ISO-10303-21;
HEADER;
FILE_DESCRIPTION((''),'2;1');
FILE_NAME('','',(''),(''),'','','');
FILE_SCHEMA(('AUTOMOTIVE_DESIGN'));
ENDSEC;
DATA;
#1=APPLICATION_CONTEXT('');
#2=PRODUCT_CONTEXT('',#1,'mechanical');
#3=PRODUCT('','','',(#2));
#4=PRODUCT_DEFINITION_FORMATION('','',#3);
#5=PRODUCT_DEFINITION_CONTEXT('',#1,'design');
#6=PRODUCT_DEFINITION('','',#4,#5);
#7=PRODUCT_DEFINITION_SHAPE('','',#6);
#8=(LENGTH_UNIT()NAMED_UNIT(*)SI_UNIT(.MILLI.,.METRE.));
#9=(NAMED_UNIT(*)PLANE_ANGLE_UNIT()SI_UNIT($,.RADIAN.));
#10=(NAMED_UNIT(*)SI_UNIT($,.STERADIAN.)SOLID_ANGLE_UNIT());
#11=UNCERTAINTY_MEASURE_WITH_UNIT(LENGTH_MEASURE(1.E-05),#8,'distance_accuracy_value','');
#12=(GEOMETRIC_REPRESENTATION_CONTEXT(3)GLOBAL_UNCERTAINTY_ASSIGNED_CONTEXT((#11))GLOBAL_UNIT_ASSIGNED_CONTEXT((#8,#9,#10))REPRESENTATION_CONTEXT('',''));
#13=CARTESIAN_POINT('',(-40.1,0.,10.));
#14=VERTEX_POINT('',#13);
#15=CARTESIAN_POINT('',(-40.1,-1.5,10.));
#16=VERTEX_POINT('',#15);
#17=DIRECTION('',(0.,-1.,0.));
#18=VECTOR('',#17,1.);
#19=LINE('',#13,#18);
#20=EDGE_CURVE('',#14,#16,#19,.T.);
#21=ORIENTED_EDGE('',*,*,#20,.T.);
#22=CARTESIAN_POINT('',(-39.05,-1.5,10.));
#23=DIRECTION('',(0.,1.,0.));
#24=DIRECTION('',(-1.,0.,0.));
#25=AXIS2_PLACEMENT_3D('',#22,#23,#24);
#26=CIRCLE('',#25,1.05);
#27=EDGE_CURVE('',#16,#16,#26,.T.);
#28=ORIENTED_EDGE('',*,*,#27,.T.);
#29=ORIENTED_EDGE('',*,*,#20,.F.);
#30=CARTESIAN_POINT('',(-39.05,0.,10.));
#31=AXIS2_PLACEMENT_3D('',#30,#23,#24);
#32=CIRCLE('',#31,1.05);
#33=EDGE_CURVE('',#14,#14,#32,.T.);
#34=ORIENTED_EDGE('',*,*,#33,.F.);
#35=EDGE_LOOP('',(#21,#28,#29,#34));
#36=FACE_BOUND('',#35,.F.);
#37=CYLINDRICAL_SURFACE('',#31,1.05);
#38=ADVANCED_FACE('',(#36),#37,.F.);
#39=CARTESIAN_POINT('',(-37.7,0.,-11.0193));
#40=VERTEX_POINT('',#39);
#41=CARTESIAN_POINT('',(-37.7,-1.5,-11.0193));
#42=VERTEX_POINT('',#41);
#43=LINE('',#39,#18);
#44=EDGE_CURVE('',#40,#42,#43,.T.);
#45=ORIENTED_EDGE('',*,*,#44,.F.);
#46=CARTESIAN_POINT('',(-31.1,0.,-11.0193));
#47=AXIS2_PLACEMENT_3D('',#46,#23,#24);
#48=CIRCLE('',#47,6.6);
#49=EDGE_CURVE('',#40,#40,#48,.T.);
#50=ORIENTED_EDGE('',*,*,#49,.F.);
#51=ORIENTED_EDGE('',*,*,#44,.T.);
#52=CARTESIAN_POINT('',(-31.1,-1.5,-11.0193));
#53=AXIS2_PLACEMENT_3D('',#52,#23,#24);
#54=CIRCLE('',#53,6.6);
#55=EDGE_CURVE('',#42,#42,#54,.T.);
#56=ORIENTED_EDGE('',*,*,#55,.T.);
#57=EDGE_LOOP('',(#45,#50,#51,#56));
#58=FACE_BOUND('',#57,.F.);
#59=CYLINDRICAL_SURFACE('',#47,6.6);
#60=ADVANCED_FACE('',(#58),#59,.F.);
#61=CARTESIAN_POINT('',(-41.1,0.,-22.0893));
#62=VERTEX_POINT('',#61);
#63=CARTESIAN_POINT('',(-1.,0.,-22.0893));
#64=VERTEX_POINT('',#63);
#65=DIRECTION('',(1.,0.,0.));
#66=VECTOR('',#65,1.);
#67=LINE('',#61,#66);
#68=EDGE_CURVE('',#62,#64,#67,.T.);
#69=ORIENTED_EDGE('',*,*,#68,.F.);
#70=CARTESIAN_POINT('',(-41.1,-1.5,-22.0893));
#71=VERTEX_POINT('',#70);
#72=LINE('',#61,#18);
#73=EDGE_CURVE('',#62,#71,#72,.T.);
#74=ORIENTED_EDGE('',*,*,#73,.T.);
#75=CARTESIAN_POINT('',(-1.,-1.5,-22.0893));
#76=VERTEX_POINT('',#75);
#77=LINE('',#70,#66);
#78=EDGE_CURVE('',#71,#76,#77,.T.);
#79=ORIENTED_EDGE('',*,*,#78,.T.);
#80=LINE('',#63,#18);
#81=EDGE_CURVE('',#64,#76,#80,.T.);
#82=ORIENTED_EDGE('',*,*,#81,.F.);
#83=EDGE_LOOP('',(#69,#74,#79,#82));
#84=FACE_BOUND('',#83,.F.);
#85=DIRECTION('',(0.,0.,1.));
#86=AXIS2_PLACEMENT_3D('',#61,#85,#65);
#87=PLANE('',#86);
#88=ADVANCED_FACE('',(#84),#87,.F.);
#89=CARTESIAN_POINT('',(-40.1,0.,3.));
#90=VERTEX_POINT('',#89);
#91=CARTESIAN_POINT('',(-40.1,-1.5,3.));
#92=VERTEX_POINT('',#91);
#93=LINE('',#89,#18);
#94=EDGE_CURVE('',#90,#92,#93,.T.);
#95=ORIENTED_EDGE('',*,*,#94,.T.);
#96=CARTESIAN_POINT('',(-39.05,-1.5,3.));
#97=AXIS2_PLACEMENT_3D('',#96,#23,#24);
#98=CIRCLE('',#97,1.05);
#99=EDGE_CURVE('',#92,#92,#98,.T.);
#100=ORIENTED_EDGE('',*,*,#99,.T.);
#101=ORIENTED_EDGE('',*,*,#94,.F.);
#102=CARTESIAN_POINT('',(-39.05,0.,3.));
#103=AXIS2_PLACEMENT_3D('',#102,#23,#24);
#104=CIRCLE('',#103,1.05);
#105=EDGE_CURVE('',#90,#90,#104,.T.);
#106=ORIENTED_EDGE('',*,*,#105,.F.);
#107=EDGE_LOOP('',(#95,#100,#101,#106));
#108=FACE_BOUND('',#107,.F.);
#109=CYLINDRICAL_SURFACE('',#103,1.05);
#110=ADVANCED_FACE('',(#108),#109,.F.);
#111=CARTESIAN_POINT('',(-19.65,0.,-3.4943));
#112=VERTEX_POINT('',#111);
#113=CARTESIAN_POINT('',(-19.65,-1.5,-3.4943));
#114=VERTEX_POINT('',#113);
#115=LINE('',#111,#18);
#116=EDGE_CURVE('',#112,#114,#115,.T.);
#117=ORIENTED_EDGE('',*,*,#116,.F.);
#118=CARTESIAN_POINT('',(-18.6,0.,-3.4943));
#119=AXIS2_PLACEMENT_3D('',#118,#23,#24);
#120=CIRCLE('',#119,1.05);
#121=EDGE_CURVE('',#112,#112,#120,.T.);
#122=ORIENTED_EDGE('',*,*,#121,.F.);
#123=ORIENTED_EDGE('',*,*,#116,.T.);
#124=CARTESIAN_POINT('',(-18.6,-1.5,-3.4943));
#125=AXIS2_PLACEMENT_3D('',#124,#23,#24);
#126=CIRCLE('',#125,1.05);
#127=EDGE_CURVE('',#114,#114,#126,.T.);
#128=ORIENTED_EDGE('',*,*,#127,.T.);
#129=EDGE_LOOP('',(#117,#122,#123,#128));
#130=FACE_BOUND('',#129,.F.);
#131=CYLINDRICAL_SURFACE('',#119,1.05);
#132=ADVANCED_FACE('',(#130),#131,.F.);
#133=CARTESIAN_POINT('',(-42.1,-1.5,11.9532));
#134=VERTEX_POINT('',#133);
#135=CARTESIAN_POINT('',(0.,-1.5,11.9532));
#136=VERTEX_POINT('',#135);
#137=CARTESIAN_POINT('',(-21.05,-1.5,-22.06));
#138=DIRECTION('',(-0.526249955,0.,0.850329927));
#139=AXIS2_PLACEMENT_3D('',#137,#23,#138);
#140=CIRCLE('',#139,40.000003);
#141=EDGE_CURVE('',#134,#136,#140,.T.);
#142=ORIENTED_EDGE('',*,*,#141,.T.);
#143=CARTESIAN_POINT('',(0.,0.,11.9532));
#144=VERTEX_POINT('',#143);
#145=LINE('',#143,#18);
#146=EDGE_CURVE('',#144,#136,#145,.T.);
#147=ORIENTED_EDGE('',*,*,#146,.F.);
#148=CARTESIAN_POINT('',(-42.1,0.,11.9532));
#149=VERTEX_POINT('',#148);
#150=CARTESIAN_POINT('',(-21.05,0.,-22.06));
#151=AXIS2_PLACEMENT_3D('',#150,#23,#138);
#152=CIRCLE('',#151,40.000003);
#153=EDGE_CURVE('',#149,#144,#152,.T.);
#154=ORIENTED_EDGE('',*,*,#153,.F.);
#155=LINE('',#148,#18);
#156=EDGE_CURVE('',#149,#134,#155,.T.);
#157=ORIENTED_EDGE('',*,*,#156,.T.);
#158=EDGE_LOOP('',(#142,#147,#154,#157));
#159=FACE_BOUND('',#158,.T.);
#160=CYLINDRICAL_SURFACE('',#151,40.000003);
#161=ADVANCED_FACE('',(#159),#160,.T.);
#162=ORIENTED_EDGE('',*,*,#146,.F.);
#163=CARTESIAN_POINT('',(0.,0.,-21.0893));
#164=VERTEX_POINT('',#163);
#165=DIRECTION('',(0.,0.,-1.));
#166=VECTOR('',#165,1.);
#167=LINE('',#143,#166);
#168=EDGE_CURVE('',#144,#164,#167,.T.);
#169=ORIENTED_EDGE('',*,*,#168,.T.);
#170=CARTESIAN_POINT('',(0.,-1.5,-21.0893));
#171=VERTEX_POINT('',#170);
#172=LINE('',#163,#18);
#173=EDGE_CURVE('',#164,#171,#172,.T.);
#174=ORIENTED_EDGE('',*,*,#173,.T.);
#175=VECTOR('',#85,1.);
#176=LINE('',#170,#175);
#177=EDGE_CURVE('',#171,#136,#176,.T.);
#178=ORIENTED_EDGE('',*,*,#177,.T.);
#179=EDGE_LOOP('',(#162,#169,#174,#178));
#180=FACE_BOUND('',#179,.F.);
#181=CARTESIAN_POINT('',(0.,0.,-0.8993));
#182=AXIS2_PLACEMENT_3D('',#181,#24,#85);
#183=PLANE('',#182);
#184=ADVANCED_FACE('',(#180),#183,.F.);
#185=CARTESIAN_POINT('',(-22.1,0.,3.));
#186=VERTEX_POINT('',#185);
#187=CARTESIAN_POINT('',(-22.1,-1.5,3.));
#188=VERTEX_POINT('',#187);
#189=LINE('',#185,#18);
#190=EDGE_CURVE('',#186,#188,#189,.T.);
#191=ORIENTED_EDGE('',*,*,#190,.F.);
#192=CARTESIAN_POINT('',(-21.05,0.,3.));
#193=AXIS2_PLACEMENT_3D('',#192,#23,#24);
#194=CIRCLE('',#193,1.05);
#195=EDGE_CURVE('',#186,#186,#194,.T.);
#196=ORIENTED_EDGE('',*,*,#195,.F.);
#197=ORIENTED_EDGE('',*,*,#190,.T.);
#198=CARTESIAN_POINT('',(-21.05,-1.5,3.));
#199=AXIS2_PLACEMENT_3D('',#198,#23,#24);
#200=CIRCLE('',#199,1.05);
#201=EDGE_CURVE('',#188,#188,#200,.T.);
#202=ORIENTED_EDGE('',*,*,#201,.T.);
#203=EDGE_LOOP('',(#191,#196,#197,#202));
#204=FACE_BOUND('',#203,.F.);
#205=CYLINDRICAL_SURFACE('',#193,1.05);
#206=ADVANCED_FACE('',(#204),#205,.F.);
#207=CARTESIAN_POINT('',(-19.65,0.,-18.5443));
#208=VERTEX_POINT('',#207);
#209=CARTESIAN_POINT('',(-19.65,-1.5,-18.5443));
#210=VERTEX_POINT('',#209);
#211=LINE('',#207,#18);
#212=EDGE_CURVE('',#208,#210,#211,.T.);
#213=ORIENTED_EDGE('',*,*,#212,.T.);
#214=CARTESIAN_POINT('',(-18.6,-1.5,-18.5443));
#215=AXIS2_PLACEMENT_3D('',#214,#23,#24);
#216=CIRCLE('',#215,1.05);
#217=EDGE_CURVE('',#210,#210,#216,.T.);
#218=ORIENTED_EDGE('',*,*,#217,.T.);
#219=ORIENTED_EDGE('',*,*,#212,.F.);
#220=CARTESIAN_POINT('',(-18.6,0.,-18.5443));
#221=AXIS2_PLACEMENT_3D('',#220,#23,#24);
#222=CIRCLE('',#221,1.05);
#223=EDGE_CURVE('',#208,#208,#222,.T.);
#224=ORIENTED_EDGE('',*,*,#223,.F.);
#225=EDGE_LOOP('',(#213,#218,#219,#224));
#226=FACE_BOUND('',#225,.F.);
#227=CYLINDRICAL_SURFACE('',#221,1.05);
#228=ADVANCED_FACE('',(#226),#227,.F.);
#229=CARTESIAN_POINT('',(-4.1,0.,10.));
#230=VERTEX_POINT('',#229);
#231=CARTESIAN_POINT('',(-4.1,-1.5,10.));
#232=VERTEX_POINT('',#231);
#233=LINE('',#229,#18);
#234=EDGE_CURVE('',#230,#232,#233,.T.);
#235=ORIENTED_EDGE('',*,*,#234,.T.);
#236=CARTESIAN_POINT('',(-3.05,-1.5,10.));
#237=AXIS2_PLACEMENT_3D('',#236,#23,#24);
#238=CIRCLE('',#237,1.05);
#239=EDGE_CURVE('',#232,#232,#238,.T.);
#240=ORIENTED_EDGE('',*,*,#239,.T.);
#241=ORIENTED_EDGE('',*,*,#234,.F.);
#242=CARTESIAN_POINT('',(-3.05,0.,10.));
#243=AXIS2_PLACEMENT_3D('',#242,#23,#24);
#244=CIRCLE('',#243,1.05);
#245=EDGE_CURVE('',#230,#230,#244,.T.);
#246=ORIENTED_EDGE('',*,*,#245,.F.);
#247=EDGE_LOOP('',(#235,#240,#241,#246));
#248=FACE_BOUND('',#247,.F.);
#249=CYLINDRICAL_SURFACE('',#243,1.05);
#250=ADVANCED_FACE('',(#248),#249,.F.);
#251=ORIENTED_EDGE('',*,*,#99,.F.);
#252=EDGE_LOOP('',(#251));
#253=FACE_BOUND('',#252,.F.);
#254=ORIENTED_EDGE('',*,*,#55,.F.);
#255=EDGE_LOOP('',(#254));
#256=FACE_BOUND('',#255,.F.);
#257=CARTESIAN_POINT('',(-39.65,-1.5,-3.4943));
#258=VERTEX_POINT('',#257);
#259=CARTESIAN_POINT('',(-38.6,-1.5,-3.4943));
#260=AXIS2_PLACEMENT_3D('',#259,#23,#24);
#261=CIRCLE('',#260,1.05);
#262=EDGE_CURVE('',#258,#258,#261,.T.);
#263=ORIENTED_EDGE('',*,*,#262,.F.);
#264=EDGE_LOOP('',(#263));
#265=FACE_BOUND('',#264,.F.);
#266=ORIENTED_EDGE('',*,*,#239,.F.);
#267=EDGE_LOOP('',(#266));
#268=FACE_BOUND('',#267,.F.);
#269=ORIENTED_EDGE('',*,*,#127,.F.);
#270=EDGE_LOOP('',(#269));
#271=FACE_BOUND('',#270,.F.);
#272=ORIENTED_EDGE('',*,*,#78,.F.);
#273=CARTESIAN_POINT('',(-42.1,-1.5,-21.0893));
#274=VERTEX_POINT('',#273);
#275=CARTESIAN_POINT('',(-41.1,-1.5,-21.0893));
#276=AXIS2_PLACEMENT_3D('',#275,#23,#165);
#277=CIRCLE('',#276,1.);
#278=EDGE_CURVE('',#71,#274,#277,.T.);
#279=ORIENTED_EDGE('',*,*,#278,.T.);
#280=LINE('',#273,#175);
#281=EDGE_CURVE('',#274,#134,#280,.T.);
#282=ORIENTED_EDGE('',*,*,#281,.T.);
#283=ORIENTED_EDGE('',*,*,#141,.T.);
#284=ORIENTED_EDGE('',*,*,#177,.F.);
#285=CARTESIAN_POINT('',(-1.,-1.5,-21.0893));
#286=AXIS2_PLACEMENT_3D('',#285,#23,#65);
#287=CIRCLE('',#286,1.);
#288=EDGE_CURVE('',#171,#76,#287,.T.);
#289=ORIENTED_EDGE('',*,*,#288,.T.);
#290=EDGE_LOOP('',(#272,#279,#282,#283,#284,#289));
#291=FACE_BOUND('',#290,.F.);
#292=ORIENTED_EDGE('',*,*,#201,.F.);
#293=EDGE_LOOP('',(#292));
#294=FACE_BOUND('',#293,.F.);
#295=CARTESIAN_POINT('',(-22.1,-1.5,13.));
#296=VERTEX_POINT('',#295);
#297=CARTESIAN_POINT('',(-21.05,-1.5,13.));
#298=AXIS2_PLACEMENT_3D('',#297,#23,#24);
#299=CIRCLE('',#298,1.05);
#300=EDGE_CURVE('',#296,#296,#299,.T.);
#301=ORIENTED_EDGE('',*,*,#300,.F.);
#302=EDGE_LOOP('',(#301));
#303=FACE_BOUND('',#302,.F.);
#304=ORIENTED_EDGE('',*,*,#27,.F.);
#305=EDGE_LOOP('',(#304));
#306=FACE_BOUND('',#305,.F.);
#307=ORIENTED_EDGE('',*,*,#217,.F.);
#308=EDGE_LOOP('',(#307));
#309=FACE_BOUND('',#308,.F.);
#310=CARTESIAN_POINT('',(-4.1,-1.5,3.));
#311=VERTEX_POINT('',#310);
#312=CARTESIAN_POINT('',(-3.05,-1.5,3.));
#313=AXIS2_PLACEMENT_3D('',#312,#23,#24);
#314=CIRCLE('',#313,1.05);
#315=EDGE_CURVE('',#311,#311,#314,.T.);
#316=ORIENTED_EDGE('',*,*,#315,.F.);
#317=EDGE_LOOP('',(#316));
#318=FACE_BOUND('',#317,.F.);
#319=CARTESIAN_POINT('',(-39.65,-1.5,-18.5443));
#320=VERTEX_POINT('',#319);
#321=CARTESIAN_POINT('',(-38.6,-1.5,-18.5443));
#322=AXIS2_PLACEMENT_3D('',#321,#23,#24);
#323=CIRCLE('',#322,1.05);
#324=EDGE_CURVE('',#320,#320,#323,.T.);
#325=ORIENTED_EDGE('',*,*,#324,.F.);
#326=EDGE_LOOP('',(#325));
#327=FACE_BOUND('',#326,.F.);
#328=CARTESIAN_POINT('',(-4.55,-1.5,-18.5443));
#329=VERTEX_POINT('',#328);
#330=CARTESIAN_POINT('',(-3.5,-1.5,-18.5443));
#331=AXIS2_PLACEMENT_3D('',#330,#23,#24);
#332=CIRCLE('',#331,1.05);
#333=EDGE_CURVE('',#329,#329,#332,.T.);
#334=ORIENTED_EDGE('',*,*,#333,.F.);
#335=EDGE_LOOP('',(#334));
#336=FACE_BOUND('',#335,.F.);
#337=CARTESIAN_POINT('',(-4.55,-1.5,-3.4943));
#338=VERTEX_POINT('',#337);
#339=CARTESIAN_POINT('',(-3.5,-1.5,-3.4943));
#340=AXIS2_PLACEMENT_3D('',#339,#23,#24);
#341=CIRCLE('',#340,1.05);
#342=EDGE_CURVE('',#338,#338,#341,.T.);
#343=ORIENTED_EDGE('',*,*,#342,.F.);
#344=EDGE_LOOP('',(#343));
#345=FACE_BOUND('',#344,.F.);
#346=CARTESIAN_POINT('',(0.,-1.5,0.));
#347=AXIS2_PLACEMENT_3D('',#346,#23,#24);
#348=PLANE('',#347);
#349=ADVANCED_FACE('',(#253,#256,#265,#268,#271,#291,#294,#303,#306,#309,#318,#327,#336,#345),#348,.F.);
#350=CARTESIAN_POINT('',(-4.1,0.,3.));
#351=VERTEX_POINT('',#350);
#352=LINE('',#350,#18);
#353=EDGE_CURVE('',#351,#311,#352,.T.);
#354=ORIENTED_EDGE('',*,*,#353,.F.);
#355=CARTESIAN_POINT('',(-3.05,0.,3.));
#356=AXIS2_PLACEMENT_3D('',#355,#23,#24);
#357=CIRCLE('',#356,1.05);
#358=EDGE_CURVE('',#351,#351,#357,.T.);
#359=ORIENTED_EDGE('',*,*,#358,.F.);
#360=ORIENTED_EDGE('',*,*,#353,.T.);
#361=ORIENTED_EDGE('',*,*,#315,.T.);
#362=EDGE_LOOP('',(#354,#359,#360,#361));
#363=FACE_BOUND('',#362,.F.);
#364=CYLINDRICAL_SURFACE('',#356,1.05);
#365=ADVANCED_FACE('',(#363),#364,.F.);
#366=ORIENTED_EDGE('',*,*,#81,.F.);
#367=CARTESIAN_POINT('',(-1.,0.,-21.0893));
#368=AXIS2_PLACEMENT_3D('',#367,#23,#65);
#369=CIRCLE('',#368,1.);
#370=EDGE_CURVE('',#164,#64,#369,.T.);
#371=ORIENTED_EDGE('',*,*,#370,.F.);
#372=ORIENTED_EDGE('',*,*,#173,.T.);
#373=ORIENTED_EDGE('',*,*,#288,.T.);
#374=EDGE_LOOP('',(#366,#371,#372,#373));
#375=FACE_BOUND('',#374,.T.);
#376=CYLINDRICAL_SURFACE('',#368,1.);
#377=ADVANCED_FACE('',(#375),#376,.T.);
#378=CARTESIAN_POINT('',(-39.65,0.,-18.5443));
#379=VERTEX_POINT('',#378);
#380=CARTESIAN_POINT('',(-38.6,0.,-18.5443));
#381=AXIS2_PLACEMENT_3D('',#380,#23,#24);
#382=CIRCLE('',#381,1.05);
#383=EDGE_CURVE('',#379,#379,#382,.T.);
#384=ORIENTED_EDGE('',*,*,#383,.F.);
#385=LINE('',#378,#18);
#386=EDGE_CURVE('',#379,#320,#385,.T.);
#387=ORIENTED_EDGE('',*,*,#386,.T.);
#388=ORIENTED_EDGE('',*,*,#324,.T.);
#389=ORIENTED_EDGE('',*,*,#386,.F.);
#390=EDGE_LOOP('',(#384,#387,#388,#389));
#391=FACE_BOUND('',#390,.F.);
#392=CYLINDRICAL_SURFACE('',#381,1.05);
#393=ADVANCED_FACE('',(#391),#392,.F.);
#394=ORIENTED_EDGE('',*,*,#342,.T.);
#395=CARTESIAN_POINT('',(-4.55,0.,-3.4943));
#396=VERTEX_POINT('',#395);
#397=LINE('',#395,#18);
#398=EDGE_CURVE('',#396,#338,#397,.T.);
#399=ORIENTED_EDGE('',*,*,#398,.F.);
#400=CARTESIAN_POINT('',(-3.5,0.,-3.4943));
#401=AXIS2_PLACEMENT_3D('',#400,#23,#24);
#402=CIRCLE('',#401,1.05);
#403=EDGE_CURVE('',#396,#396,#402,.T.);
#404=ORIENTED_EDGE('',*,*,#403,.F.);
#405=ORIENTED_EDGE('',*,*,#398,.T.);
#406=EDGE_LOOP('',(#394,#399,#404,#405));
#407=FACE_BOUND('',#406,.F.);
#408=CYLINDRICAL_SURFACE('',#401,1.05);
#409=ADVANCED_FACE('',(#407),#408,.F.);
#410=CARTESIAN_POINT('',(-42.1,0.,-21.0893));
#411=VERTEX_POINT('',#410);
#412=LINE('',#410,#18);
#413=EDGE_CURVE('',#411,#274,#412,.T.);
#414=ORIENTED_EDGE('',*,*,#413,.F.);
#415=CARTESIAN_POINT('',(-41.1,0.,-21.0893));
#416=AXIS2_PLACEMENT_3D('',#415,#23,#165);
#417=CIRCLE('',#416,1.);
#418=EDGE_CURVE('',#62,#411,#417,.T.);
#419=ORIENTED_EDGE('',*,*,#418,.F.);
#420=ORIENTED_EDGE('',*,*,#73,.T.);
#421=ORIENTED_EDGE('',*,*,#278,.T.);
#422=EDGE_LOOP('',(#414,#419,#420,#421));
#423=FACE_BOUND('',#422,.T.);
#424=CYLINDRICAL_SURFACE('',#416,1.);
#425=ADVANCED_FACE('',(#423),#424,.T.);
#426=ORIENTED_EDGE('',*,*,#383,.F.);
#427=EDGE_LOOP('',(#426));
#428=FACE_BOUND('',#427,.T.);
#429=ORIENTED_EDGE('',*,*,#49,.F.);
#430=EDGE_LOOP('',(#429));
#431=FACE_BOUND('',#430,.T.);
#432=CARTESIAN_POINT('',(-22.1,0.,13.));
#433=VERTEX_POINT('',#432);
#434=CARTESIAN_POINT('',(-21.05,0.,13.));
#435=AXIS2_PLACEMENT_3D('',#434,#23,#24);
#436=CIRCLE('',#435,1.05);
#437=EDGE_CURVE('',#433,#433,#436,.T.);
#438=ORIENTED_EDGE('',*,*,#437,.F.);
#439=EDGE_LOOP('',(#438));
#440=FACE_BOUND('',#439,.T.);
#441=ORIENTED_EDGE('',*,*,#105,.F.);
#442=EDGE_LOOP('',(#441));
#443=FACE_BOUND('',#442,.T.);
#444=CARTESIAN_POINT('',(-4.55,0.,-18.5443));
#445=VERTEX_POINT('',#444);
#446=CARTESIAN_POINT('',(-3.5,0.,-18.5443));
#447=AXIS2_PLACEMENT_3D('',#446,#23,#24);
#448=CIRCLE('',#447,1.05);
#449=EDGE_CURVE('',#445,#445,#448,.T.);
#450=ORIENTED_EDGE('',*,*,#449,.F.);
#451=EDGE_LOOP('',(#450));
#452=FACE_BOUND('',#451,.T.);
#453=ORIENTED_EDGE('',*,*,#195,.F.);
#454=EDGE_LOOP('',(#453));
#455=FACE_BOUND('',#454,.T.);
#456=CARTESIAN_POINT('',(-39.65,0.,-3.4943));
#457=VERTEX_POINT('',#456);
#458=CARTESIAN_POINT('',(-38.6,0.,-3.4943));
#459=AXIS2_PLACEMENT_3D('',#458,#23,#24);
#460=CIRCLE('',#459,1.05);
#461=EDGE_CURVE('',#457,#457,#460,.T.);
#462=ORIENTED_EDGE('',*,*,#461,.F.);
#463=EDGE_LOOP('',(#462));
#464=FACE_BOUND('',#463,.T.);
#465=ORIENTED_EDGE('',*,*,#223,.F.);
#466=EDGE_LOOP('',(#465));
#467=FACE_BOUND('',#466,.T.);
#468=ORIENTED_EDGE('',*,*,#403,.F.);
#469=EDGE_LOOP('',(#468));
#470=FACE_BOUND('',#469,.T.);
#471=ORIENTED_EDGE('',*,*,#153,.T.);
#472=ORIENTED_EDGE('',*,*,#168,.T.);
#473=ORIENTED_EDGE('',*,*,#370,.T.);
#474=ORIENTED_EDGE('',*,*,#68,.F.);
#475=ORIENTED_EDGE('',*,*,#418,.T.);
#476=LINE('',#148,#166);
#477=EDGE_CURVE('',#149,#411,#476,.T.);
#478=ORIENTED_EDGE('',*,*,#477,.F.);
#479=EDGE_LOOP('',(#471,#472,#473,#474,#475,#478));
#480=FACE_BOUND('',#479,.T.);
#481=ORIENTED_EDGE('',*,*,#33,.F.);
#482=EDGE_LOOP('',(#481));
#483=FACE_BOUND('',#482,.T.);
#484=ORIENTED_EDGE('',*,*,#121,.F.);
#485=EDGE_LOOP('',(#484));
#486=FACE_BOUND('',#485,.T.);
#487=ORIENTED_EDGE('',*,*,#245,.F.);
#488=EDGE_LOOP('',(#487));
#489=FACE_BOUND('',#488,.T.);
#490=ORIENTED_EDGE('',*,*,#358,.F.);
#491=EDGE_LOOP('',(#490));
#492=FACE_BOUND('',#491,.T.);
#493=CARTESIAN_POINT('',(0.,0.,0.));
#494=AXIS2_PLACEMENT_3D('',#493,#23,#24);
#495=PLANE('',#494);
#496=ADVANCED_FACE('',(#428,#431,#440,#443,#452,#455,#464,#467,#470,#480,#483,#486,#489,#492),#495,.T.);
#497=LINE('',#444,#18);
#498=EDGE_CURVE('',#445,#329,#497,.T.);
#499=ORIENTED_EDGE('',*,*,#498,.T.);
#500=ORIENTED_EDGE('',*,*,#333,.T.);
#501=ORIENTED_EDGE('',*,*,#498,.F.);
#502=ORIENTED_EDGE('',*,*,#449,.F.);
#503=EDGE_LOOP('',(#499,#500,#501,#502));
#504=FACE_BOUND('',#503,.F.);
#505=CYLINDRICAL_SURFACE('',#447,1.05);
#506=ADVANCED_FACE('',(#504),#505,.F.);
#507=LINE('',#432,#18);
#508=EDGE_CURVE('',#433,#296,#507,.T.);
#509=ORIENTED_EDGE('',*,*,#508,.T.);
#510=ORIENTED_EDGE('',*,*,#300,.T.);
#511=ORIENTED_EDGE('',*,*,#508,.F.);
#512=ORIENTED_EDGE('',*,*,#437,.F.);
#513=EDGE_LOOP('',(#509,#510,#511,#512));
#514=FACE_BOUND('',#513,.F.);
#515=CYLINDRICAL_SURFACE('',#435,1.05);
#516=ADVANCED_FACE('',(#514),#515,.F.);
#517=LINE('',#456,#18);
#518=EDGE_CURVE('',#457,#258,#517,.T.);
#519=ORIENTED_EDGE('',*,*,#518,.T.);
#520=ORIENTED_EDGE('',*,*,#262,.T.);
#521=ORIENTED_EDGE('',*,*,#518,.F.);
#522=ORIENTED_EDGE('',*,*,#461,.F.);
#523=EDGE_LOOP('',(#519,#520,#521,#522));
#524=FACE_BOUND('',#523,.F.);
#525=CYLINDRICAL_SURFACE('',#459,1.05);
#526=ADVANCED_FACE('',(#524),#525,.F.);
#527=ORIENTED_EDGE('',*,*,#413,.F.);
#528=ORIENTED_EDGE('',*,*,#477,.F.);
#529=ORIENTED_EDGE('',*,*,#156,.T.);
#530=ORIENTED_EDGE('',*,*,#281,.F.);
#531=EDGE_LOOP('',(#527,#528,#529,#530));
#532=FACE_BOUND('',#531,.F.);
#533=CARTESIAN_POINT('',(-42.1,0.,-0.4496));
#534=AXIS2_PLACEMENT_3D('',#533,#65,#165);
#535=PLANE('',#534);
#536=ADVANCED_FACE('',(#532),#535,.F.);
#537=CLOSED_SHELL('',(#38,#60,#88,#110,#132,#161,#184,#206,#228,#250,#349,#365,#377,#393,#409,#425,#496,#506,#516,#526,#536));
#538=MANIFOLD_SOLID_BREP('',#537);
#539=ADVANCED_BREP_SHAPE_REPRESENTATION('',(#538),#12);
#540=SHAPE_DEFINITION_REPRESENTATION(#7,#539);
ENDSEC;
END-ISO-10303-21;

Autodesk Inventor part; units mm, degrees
ref_plane "YZ Plane" through (0, 0, 0) normal (1, 0, 0) x (0, 1, 0)
ref_plane "XZ Plane" through (0, 0, 0) normal (0, 1, 0) x (-1, 0, 0)
ref_plane "XY Plane" through (0, 0, 0) normal (0, 0, 1) x (1, 0, 0)
sketch "Sketch1" plane through (0, 0, 0) normal (0, 1, 0) x (-1, 0, 0)
  line L0 (42.1, -0.4496) -> (0, -0.4496)
  circle A0 centre (3.05, 10) radius 1.05
  circle A1 centre (3.05, 3) radius 1.05
  circle A2 centre (21.05, 3) radius 1.05
  circle A3 centre (21.05, 13) radius 1.05
  circle A4 centre (39.05, 10) radius 1.05
  circle A5 centre (39.05, 3) radius 1.05
  circle A6 centre (3.5, -18.5443) radius 1.05
  circle A7 centre (18.6, -18.5443) radius 1.05
  circle A8 centre (38.6, -18.5443) radius 1.05
  circle A9 centre (38.6, -3.4943) radius 1.05
  circle A10 centre (18.6, -3.4943) radius 1.05
  circle A11 centre (3.5, -3.4943) radius 1.05
  circle A12 centre (31.1, -11.0193) radius 6.6
  arc A13 (41.1, -22.0893) -> (42.1, -21.0893) centre (41.1, -21.0893) ccw
  line L1 (41.1, -22.0893) -> (1, -22.0893)
  arc A14 (0, -21.0893) -> (1, -22.0893) centre (1, -21.0893) ccw
  arc A15 (42.1, 11.9532) -> (0, 11.9532) centre (21.05, -22.06) ccw
  line L2 (0, -21.0893) -> (0, 11.9532)
  line L3 (42.1, 11.9532) -> (42.1, -21.0893)
  line L4 (42.1, -0.8993) -> (0, -0.8993)
  line L5 (0, 0) -> (42.1, 0)
extrude "Extrusion1" add sketch "Sketch1" against normal blind 1.5
properties part number "axis_2_bottom_L_frame(bottom)" material "Aluminum 6061-AHC"
